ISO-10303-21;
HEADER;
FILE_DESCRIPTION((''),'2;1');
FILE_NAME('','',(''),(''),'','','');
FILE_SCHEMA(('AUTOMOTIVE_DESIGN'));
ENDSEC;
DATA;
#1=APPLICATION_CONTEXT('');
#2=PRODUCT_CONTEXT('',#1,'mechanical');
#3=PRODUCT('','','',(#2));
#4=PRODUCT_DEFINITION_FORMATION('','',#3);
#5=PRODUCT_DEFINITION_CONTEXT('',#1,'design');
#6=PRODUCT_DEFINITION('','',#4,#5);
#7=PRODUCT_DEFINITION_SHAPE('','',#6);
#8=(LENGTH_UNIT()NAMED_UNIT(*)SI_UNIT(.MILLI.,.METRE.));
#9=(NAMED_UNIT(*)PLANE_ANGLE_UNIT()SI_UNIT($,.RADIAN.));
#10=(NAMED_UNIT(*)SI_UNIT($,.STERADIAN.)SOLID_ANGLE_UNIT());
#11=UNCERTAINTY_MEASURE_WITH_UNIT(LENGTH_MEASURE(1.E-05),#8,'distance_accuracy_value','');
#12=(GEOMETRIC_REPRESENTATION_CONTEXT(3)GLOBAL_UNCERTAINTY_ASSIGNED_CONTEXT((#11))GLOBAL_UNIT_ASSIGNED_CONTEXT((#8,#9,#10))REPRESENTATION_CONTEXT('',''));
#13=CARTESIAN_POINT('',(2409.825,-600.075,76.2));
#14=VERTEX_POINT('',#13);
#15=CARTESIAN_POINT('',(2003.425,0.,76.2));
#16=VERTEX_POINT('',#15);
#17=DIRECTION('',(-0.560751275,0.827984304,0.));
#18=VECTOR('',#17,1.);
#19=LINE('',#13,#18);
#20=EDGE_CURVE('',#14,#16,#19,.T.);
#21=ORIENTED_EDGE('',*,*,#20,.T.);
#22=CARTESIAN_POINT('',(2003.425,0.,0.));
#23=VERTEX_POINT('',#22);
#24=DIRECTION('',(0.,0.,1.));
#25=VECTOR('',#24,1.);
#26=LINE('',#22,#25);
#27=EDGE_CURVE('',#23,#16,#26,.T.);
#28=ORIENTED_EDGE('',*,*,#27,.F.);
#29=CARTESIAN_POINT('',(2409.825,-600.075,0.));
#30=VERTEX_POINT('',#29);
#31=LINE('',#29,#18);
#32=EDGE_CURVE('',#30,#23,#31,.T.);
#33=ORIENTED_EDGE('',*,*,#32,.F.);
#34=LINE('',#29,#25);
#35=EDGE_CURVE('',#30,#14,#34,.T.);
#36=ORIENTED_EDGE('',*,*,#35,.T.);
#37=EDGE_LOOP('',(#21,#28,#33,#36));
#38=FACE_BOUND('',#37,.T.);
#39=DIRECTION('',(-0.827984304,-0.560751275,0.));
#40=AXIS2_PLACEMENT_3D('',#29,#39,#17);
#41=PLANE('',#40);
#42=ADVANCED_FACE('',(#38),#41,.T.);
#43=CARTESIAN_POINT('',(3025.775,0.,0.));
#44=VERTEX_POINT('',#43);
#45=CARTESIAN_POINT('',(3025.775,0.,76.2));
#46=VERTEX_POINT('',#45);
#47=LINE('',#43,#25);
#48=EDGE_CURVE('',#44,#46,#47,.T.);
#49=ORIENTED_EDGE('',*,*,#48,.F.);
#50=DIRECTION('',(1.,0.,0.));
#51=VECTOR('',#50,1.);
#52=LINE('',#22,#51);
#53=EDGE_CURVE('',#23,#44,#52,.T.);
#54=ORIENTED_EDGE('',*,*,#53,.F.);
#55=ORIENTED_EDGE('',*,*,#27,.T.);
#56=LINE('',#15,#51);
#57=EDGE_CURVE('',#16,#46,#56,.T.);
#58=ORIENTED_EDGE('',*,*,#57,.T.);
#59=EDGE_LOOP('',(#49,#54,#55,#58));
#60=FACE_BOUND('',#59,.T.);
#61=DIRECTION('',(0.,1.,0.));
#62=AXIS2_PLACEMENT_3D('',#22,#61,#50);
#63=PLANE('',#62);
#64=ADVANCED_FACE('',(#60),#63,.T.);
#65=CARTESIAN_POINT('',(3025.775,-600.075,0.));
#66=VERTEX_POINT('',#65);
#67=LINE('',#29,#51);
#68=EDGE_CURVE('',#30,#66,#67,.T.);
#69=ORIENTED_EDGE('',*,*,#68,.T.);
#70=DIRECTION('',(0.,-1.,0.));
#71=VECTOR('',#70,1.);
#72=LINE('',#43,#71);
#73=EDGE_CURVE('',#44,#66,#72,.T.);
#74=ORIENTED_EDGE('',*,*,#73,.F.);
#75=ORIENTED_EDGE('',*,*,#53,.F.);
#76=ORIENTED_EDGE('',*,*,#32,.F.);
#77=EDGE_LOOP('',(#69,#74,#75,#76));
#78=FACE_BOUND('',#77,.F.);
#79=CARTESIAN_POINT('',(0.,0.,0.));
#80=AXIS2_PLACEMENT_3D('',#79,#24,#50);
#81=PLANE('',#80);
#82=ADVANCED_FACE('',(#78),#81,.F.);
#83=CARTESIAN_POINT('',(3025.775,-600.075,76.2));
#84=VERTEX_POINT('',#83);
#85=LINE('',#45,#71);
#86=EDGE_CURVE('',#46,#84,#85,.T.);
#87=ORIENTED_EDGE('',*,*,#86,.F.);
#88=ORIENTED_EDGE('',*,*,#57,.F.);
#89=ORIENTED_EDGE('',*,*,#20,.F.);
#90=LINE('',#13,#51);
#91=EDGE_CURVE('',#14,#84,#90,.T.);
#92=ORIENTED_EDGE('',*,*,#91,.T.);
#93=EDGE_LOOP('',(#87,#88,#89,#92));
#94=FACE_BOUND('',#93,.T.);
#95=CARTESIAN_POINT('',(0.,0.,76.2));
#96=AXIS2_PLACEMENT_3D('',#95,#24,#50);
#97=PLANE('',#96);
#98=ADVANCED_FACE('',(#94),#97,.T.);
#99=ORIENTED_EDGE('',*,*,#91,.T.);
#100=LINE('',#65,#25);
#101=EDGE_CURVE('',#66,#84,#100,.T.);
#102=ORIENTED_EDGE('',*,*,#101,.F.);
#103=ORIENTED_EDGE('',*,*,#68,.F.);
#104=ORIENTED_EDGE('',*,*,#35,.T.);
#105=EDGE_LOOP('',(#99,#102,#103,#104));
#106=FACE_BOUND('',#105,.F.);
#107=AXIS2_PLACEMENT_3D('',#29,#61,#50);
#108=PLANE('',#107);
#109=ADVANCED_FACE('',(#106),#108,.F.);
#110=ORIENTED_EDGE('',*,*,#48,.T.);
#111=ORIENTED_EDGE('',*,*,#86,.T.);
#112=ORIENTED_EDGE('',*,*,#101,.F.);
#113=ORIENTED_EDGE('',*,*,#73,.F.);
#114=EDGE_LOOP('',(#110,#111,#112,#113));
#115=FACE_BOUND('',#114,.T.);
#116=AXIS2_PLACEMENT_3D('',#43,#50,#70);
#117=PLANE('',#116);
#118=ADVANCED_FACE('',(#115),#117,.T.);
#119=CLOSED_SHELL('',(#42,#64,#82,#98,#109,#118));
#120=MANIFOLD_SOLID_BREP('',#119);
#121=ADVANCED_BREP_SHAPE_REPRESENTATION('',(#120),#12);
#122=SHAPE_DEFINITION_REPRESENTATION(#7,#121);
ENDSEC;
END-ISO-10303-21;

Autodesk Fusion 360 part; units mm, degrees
sketch "Sketch1" plane through (0, 0, 0) normal (0, 0, 1) x (1, 0, 0)
  line L0 (0, 0) -> (0, -600.075)
  line L1 (0, -600.075) -> (744.5375, -600.075)
  line L2 (0, 0) -> (947.7375, 0)
  line L3 (947.7375, 0) -> (744.5375, -600.075)
  line L4 (1049.3375, -600.075) -> (2105.025, -600.075)
  line L5 (1049.3375, -600.075) -> (1252.5375, 0)
  line L6 (2105.025, -600.075) -> (1698.625, 0)
  line L7 (1252.5375, 0) -> (1698.625, 0)
  line L8 (2003.425, 0) -> (3025.775, 0)
  line L9 (2409.825, -600.075) -> (3025.775, -600.075)
  line L10 (3025.775, 0) -> (3025.775, -600.075)
  line L11 (2409.825, -600.075) -> (2003.425, 0)
  line L12 (0, -904.875) -> (0, -1504.95)
  line L13 (0, -1504.95) -> (376.2375, -1504.95)
  line L14 (376.2375, -1504.95) -> (528.6375, -904.875)
  line L15 (0, -904.875) -> (528.6375, -904.875)
  line L16 (579.4375, -1504.95) -> (1636.7125, -1504.95)
  line L17 (731.8375, -904.875) -> (1420.8125, -904.875)
  line L18 (579.4375, -1504.95) -> (731.8375, -904.875)
  line L19 (1420.8125, -904.875) -> (1636.7125, -1504.95)
  line L20 (1839.9125, -1504.95) -> (2160.5875, -1504.95)
  line L21 (1624.0125, -904.875) -> (2401.8875, -904.875)
  line L22 (1624.0125, -904.875) -> (1839.9125, -1504.95)
  line L23 (2160.5875, -1504.95) -> (2401.8875, -904.875)
  line L24 (2363.7875, -1504.95) -> (3019.425, -1504.95)
  line L25 (2605.0875, -904.875) -> (3019.425, -904.875)
  line L26 (3019.425, -904.875) -> (3019.425, -1504.95)
  line L27 (2605.0875, -904.875) -> (2363.7875, -1504.95)
  line L28 (0, -1809.75) -> (0, -2409.825)
  line L29 (0, -1809.75) -> (909.6375, -1809.75)
  line L30 (0, -2409.825) -> (795.3375, -2409.825)
  line L31 (795.3375, -2409.825) -> (909.6375, -1809.75)
  line L32 (1214.4375, -1809.75) -> (2017.7125, -1809.75)
  line L33 (1100.1375, -2409.825) -> (1878.0125, -2409.825)
  line L34 (1100.1375, -2409.825) -> (1214.4375, -1809.75)
  line L35 (1878.0125, -2409.825) -> (2017.7125, -1809.75)
  line L36 (2182.8125, -2409.825) -> (3028.95, -2409.825)
  line L37 (2322.5125, -1809.75) -> (3028.95, -1809.75)
  line L38 (2322.5125, -1809.75) -> (2182.8125, -2409.825)
  line L39 (3028.95, -1809.75) -> (3028.95, -2409.825)
  line L40 (0, -2714.625) -> (0, -3314.7)
  line L41 (0, -2714.625) -> (465.1375, -2714.625)
  line L42 (465.1375, -2714.625) -> (465.1375, -3314.7)
  line L43 (465.1375, -3314.7) -> (0, -3314.7)
  line L44 (668.3375, -3314.7) -> (1268.4125, -3314.7)
  line L45 (668.3375, -3314.7) -> (668.3375, -2714.625)
  line L46 (668.3375, -2714.625) -> (1458.9125, -2714.625)
  line L47 (1458.9125, -2714.625) -> (1268.4125, -3314.7)
  line L48 (1471.6125, -3314.7) -> (2236.7875, -3314.7)
  line L49 (1662.1125, -2714.625) -> (2528.8875, -2714.625)
  line L50 (1471.6125, -3314.7) -> (1662.1125, -2714.625)
  line L51 (2528.8875, -2714.625) -> (2236.7875, -3314.7)
  line L52 (2439.9875, -3314.7) -> (3019.425, -3314.7)
  line L53 (2732.0875, -2714.625) -> (3019.425, -2714.625)
  line L54 (2439.9875, -3314.7) -> (2732.0875, -2714.625)
  line L55 (3019.425, -2714.625) -> (3019.425, -3314.7)
  dimension "d1" = 600.075
  dimension "d2" = 744.5375
  dimension "d3" = 1055.6875
  dimension "d4" = 304.8
  dimension "d5" = 1022.35
  dimension "d6" = 615.95
  dimension "d7" = 0
  dimension "d8" = 304.8
  dimension "d9" = 376.2375
  dimension "d10" = 1057.275
  dimension "d11" = 203.2
  dimension "d12" = 688.975
  dimension "d13" = 320.675
  dimension "d14" = 777.875
  dimension "d15" = 203.2
  dimension "d16" = 655.6375
  dimension "d17" = 414.3375
  dimension "d18" = 203.2
  dimension "d19" = 0
  dimension "d20" = 0
  dimension "d21" = 909.6375
  dimension "d22" = 795.3375
  dimension "d23" = 803.275
  dimension "d24" = 777.875
  dimension "d25" = 304.8
  dimension "d26" = 846.1375
  dimension "d27" = 304.8
  dimension "d28" = 706.4375
  dimension "d29" = 304.8
  dimension "d30" = 947.7375
  dimension "d31" = 446.0875
  dimension "d32" = 528.6375
  dimension "d33" = 0
  dimension "d34" = 0
  dimension "d35" = 465.1375
  dimension "d36" = 600.075
  dimension "d37" = 203.2
  dimension "d38" = 790.575
  dimension "d39" = 765.175
  dimension "d40" = 203.2
  dimension "d41" = 866.775
  dimension "d42" = 579.4375
  dimension "d43" = 287.3375
  dimension "d44" = 203.2
extrude "Extrude1" add sketch "Sketch1" along normal blind 76.2 contours L8 L9 L10 L11
equation "d1 = 23 5/8\""
equation "d2 = 29 5/16\""
equation "d3 = 41 9/16\""
equation "d5 = 40 1/4\""
equation "d6 = 24 1/4\""
equation "d7 = d20"
equation "d9 = 14 13/16\""
equation "d12 = 27 1/8\""
equation "d13 = 12 5/8\""
equation "d14 = 30 5/8\""
equation "d16 = 25 13/16\""
equation "d17 = 16 5/16\""
equation "d19 = d20"
equation "d20 = d33"
equation "d21 = 35 13/16\""
equation "d22 = 31 5/16\""
equation "d23 = 31 5/8\""
equation "d24 = 30 5/8\""
equation "d26 = 33 5/16\""
equation "d28 = 27 13/16\""
equation "d30 = 37 5/16\""
equation "d31 = 17 9/16\""
equation "d32 = 20 13/16\""
equation "d33 = d33"
equation "d34 = d20"
equation "d35 = 18 5/16\""
equation "d36 = 23 5/8\""
equation "d38 = 31 1/8\""
equation "d41 = 34 1/8\""
